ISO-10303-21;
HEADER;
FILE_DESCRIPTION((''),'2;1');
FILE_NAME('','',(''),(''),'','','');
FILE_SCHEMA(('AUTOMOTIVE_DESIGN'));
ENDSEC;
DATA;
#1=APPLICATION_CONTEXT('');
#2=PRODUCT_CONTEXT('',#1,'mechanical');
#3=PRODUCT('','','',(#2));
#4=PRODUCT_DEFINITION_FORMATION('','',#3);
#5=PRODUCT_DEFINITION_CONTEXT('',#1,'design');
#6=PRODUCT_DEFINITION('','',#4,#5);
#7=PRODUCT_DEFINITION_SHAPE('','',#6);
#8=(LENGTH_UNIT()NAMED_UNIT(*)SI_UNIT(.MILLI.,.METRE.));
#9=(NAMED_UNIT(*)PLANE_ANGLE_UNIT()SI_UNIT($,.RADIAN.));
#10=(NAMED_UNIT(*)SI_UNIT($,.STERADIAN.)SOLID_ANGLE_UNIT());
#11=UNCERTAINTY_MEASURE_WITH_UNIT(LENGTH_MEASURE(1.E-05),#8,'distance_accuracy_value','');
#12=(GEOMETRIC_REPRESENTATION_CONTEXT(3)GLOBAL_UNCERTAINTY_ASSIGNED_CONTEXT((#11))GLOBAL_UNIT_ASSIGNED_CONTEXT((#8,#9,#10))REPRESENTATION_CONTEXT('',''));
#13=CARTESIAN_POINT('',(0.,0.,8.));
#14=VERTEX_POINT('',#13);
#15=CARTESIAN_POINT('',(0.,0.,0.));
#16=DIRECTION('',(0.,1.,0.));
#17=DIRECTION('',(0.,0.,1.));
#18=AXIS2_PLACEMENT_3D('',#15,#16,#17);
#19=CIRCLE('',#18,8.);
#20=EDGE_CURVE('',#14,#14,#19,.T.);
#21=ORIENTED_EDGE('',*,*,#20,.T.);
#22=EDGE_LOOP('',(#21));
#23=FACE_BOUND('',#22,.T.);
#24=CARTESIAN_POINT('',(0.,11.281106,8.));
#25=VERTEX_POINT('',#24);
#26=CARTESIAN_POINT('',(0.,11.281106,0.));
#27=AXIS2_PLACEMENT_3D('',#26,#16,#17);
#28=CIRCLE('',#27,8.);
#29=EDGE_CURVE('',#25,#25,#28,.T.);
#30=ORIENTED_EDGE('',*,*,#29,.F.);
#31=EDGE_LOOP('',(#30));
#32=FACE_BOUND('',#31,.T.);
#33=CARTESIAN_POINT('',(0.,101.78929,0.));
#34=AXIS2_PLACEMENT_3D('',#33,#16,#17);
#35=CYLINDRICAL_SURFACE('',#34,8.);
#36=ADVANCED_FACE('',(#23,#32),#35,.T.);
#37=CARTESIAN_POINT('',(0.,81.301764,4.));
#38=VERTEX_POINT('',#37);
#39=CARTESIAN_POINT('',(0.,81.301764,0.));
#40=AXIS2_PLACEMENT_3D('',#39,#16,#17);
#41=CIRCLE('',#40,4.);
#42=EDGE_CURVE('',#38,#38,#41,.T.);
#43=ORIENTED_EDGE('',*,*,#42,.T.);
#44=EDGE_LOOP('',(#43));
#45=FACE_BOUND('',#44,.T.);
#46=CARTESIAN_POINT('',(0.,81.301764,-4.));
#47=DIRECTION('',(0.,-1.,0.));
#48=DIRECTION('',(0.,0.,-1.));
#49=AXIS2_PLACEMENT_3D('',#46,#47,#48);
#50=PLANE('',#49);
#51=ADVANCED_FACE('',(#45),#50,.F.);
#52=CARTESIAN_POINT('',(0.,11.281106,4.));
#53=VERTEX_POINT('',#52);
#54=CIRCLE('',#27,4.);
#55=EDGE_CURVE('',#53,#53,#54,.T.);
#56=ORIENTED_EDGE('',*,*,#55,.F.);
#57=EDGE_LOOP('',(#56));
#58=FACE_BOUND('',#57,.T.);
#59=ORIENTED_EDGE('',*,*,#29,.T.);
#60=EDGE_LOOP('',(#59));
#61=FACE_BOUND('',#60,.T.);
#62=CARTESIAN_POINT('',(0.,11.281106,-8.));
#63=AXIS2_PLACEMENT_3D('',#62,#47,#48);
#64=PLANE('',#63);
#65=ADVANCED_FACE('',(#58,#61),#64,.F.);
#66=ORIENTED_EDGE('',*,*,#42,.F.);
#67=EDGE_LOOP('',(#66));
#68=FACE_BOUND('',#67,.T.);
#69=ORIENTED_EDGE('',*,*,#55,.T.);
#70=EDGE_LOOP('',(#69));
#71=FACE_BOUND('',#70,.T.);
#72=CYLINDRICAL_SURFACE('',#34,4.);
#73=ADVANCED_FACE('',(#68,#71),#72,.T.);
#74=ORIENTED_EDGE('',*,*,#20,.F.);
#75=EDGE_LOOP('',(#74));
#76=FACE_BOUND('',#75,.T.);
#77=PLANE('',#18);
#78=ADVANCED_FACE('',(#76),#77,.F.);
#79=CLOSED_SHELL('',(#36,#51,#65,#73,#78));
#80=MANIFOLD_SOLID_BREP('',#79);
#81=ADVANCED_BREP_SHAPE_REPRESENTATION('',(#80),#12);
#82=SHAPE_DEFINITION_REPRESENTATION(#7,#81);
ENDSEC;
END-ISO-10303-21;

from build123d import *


with BuildPart() as part:
    # Эскиз1 → Повернуть1 (revolve)
    with BuildSketch(Plane(origin=(0, 0, 0), x_dir=(0, 0, -1), z_dir=(1, 0, 0))):
        Polygon((0, 0), (8, 0), (8, 11.281105991), (4, 11.281105991), (4, 81.301763865), (0, 81.301763865), align=None)
    revolve(axis=Axis((0, 101.789289687, 0), (0, -1, 0)))


solid = part.part
